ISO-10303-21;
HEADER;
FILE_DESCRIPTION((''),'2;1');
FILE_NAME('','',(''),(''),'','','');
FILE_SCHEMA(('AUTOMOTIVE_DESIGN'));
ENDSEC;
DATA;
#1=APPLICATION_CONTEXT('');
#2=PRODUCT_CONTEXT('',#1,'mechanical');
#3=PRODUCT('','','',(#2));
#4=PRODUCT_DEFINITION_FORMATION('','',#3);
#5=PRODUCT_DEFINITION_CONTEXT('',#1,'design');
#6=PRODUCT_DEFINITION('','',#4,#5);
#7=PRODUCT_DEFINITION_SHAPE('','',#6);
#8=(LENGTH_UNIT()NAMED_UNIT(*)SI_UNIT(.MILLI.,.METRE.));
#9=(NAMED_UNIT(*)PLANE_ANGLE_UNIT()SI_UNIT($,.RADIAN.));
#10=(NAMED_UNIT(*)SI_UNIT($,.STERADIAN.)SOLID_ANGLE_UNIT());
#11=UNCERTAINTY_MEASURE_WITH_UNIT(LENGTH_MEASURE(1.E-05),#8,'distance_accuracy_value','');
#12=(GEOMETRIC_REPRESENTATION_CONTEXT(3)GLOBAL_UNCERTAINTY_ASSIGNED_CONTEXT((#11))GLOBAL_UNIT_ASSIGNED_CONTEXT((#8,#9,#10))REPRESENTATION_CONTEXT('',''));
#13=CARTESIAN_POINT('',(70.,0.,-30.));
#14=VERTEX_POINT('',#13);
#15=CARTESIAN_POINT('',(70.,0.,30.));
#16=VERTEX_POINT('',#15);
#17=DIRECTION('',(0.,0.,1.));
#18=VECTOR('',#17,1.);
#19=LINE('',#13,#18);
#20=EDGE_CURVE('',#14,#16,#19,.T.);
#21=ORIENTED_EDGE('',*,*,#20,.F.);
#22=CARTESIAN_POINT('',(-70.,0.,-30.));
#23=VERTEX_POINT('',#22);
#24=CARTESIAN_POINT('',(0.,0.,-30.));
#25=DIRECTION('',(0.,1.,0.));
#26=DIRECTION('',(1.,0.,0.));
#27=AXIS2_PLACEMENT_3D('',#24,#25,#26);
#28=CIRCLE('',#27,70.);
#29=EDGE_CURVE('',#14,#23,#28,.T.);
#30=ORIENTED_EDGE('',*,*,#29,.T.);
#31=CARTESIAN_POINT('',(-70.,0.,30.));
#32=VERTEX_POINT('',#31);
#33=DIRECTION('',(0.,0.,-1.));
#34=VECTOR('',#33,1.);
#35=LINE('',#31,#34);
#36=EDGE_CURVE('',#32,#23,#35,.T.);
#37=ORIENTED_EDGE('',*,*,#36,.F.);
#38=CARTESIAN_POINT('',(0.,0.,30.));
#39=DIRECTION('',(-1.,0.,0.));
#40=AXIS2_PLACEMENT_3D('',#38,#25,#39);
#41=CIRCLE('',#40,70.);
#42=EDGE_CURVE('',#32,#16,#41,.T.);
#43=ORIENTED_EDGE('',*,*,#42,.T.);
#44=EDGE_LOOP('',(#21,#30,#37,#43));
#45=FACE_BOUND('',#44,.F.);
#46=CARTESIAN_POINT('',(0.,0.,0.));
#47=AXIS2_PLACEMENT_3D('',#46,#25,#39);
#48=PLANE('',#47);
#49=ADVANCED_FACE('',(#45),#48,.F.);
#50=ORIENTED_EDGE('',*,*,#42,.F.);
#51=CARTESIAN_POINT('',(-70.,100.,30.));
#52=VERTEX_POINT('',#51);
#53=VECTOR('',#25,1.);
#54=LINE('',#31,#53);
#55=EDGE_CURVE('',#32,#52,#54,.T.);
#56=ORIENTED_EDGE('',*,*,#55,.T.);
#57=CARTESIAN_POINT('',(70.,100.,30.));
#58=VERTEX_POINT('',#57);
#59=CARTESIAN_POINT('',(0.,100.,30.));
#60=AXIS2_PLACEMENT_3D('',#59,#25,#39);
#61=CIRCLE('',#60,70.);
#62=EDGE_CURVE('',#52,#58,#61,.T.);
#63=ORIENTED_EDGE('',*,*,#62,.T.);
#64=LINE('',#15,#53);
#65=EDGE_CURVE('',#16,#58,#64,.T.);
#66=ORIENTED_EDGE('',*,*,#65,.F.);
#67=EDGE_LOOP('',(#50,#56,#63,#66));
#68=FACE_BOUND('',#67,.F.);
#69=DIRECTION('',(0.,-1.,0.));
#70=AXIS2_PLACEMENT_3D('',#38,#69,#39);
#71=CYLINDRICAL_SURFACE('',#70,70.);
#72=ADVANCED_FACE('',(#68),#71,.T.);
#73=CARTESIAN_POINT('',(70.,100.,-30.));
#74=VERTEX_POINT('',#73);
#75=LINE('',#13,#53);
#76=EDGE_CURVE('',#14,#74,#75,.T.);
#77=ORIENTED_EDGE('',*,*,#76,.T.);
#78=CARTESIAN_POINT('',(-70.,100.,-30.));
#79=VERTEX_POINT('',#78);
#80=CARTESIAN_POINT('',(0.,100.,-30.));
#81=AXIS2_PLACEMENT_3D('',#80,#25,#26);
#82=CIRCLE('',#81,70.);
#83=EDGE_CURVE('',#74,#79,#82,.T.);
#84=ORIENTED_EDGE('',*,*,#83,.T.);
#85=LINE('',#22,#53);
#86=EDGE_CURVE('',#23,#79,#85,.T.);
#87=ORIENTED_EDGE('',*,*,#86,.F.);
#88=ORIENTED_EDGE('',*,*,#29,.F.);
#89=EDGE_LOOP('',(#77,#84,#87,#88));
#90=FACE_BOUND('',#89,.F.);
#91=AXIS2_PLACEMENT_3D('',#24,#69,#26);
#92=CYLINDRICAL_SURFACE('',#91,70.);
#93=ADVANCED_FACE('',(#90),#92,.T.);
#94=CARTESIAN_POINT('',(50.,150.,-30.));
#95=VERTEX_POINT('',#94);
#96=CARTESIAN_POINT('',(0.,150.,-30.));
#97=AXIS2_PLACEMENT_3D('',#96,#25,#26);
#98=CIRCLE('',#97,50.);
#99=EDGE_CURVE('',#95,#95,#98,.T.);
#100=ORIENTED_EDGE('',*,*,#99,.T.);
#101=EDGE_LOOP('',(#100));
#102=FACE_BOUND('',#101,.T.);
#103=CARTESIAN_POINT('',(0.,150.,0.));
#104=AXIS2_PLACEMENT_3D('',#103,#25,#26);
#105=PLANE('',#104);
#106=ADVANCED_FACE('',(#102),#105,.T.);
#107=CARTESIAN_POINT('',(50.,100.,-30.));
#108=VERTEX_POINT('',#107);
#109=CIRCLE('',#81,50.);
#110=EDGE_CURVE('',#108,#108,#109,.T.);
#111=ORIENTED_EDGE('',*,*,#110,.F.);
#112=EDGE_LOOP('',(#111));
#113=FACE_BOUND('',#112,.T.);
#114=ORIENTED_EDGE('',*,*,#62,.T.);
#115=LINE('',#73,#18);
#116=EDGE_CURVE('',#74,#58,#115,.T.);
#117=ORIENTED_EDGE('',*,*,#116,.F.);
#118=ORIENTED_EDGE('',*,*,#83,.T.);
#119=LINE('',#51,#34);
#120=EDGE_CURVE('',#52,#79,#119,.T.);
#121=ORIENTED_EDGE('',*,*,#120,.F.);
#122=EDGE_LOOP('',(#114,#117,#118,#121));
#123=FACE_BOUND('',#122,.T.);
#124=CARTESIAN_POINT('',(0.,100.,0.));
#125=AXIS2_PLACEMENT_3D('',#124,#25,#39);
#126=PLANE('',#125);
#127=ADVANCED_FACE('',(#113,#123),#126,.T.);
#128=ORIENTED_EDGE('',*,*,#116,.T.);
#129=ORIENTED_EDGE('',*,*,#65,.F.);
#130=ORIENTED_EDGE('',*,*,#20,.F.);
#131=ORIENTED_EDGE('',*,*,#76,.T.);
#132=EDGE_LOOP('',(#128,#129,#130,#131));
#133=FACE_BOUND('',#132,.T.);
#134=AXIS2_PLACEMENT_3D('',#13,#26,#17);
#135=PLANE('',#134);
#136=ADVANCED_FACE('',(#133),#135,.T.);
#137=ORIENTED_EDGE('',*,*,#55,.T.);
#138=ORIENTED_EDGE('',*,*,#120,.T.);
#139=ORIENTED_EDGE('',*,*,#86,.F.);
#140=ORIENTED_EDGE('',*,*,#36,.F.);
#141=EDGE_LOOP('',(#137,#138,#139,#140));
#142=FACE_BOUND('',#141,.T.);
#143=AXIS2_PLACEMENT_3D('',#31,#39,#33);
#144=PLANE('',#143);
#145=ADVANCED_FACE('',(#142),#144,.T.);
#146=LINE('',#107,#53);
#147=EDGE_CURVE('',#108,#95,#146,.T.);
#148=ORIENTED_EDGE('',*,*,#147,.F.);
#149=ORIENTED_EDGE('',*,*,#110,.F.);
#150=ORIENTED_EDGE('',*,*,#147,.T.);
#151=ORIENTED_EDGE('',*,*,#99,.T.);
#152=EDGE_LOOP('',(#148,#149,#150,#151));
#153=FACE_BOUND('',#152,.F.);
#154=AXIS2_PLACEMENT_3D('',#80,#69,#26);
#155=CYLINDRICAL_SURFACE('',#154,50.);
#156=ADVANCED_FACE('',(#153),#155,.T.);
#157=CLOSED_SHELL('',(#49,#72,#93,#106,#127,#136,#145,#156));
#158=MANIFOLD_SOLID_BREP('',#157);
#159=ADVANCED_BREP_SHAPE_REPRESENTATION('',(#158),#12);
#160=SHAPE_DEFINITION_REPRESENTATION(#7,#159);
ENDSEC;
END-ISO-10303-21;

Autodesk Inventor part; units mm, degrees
ref_plane "YZ Plane" through (0, 0, 0) normal (1, 0, 0) x (0, 1, 0)
ref_plane "XZ Plane" through (0, 0, 0) normal (0, 1, 0) x (-1, 0, 0)
ref_plane "XY Plane" through (0, 0, 0) normal (0, 0, 1) x (1, 0, 0)
sketch "Sketch1" plane through (0, 0, 0) normal (0, 1, 0) x (-1, 0, 0)
  line L0 (70, 30) -> (70, -30)
  arc A0 (-70, -30) -> (70, -30) centre (0, -30) ccw
  line L1 (-70, -30) -> (-70, 30)
  arc A1 (70, 30) -> (-70, 30) centre (0, 30) ccw
  point P0 (0, 0)
  point P1 (70, 0)
  dimension "d0" = 60
  dimension "d1" = 70
extrude "Extrusion1" add sketch "Sketch1" along normal blind 100
sketch "Sketch2" plane through (0, 100, 0) normal (0, 1, 0) x (1, 0, 0)
  line L0 (-70, 30) -> (-70, -30) projected
  arc A0 (-70, -30) -> (70, -30) centre (0, -30) ccw projected
  line L1 (70, -30) -> (70, 30) projected
  arc A1 (70, 30) -> (-70, 30) centre (0, 30) ccw projected
  circle A2 centre (0, 30) radius 50
  point P0 (0, 0)
  dimension "d4" = 100
extrude "Extrusion2" add sketch "Sketch2" along normal blind 50 contours A2
properties part number "pomp"
